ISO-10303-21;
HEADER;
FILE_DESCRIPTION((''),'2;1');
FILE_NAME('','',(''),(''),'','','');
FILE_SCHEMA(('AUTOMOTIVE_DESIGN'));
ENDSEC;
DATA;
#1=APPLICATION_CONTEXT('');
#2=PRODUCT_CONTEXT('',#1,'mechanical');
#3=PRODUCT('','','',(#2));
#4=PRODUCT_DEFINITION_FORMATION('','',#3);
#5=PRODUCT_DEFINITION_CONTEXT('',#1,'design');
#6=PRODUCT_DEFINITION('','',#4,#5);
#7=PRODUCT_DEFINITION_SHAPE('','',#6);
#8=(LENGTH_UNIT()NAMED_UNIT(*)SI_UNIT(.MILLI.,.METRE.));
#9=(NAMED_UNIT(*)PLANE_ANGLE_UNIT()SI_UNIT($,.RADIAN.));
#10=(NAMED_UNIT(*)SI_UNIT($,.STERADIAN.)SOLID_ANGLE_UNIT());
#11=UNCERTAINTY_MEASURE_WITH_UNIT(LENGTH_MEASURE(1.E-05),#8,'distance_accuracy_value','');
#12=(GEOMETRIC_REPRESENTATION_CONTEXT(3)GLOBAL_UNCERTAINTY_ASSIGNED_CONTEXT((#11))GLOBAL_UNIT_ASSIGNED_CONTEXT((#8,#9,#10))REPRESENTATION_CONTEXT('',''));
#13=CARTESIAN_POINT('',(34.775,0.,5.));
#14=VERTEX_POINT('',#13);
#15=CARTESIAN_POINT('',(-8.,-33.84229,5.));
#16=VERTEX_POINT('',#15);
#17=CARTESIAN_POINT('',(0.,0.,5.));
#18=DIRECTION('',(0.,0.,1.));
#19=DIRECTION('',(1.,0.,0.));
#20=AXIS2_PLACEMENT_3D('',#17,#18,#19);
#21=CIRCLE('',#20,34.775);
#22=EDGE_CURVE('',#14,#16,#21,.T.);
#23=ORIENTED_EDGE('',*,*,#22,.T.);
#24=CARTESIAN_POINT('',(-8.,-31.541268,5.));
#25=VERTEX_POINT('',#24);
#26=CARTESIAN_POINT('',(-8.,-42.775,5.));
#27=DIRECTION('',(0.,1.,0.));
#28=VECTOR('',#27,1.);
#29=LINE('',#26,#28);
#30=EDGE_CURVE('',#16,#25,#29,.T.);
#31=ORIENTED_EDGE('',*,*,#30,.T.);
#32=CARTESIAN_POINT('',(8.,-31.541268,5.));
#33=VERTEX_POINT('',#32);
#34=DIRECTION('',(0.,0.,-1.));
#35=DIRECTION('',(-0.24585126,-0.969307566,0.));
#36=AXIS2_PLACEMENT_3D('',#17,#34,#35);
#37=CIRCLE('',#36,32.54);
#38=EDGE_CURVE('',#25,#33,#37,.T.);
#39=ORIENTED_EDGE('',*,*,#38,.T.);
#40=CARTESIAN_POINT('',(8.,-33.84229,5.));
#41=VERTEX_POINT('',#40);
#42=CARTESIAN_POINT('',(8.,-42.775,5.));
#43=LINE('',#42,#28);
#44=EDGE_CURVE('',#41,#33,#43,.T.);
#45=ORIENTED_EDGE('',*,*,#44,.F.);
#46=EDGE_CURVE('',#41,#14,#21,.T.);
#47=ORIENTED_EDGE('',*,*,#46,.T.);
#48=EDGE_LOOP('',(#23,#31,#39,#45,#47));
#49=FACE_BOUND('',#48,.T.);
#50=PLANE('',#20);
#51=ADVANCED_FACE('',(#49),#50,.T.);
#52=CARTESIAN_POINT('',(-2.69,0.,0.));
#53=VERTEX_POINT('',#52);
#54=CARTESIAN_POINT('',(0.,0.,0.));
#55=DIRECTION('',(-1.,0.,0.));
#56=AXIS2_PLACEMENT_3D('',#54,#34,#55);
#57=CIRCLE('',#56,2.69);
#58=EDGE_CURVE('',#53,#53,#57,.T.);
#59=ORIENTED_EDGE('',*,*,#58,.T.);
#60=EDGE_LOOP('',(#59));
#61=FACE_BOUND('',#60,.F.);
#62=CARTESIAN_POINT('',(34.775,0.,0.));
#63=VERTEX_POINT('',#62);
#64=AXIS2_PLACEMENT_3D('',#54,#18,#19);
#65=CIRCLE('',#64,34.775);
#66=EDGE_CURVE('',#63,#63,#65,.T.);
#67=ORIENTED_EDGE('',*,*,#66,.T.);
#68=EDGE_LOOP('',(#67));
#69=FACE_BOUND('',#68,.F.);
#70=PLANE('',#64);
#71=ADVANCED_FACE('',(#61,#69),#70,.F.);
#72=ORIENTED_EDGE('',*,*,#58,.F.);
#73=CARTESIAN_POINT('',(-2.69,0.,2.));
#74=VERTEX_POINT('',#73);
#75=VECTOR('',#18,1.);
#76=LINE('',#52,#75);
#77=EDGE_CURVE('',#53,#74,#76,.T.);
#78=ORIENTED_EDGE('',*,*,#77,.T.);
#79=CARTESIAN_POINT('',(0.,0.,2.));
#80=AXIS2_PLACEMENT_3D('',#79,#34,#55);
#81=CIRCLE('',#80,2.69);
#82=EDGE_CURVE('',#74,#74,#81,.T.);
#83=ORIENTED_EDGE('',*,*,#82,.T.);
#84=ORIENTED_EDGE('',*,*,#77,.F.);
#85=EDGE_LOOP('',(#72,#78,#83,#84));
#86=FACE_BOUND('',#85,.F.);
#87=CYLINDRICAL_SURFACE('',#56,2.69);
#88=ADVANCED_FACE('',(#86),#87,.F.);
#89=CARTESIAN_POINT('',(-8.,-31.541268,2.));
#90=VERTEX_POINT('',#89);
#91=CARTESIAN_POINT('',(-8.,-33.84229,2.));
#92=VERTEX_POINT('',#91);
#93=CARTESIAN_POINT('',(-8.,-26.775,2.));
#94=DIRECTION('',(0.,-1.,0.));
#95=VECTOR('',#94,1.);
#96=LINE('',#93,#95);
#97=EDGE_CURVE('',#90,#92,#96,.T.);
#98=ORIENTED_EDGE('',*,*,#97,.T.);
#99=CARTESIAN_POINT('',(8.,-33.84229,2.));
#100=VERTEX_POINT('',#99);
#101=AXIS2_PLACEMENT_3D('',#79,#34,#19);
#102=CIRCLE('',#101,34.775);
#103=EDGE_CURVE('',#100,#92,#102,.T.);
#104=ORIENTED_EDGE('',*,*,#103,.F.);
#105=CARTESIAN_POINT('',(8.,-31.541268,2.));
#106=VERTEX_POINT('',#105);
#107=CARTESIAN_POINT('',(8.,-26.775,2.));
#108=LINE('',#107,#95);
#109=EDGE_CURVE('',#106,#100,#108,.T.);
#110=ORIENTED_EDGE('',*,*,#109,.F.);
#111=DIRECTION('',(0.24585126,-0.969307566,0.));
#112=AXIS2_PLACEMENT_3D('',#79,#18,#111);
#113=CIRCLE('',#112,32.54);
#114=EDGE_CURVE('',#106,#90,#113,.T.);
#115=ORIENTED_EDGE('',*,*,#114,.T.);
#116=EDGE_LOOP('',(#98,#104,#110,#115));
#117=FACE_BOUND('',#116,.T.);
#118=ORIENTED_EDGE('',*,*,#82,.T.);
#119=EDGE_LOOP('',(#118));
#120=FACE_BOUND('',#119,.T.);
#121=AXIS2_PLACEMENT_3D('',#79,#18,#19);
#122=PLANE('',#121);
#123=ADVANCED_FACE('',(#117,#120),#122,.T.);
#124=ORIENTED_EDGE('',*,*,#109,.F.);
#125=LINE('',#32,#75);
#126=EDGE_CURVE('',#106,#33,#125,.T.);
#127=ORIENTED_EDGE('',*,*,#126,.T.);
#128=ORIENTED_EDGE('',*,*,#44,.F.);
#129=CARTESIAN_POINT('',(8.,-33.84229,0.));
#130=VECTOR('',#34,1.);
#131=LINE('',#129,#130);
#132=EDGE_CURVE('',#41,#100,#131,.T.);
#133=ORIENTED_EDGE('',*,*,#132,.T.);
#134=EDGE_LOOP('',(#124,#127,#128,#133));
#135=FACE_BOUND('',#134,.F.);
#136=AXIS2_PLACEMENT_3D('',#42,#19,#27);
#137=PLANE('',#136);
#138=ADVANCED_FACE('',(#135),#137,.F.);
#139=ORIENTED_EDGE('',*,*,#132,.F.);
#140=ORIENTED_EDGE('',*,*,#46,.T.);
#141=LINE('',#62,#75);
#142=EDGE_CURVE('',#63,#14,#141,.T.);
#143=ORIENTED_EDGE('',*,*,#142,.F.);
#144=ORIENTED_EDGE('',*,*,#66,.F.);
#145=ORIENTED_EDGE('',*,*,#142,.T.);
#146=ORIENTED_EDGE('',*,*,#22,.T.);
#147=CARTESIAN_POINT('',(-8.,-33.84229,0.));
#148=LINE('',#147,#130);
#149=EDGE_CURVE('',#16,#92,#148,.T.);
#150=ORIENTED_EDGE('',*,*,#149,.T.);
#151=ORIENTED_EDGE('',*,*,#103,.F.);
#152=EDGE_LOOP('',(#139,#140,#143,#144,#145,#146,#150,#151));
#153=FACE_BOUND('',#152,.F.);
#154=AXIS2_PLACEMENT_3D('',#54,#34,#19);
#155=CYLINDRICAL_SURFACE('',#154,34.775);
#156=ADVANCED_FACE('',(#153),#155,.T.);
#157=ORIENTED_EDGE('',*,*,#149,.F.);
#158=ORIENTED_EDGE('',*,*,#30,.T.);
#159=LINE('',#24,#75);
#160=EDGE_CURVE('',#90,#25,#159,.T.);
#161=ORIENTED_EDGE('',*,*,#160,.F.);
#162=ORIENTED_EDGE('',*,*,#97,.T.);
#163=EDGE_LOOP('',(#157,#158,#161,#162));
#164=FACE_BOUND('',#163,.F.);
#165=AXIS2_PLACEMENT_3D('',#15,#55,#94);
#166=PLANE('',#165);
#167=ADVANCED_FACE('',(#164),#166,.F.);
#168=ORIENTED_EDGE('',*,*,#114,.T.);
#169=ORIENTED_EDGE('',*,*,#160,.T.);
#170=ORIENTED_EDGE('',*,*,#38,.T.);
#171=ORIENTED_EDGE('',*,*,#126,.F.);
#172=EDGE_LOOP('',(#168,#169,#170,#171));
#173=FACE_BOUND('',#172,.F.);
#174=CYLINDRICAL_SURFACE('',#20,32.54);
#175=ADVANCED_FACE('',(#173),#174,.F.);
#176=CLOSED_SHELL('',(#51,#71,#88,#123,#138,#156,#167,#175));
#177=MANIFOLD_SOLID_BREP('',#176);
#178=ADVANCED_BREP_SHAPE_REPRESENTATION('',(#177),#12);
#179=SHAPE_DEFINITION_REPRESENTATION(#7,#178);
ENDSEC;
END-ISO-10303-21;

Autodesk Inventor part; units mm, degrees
ref_plane "YZ Plane" through (0, 0, 0) normal (1, 0, 0) x (0, 1, 0)
ref_plane "XZ Plane" through (0, 0, 0) normal (0, 1, 0) x (-1, 0, 0)
ref_plane "XY Plane" through (0, 0, 0) normal (0, 0, 1) x (1, 0, 0)
sketch "Skizze1" plane through (0, 0, 0) normal (0, 0, 1) x (1, 0, 0)
  circle A0 centre (0, 0) radius 34.775
  dimension "d0" = 69.55
extrude "Extrusion1" add sketch "Skizze1" along normal blind 5
sketch "Skizze2" plane through (0, 0, 5) normal (0, 0, 1) x (1, 0, 0)
  circle A0 centre (0, 0) radius 32.54
  dimension "d3" = 65.08
extrude "Extrusion2" cut sketch "Skizze2" against normal blind 3
sketch "Skizze3" plane through (0, 0, 0) normal (0, 0, -1) x (-1, 0, 0)
  circle A0 centre (0, 0) radius 2.69
  dimension "d6" = 5.38
extrude "Extrusion3" cut sketch "Skizze3" against normal through all
sketch "Skizze4" plane through (0, 0, 5) normal (0, 0, 1) x (1, 0, 0)
  line L0 (-8, -42.775) -> (8, -42.775)
  line L1 (8, -42.775) -> (8, -26.775)
  line L2 (8, -26.775) -> (-8, -26.775)
  line L3 (-8, -26.775) -> (-8, -42.775)
  circle A0 centre (0, 0) radius 34.775 projected
  line L4 (-8, -42.775) -> (8, -26.775) construction
  line L5 (8, -42.775) -> (-8, -26.775) construction
  point P0 (0, -34.775)
  dimension "d9" = 16
  dimension "d10" = 16
extrude "Extrusion4" cut sketch "Skizze4" against normal up to surface (3 mm away) contours L3 A0 L1 L0 | L3 L2 L1 A0 picked at (0.896, -29.407)
properties part number "2024_08_28_Holder_disk_NMR"
